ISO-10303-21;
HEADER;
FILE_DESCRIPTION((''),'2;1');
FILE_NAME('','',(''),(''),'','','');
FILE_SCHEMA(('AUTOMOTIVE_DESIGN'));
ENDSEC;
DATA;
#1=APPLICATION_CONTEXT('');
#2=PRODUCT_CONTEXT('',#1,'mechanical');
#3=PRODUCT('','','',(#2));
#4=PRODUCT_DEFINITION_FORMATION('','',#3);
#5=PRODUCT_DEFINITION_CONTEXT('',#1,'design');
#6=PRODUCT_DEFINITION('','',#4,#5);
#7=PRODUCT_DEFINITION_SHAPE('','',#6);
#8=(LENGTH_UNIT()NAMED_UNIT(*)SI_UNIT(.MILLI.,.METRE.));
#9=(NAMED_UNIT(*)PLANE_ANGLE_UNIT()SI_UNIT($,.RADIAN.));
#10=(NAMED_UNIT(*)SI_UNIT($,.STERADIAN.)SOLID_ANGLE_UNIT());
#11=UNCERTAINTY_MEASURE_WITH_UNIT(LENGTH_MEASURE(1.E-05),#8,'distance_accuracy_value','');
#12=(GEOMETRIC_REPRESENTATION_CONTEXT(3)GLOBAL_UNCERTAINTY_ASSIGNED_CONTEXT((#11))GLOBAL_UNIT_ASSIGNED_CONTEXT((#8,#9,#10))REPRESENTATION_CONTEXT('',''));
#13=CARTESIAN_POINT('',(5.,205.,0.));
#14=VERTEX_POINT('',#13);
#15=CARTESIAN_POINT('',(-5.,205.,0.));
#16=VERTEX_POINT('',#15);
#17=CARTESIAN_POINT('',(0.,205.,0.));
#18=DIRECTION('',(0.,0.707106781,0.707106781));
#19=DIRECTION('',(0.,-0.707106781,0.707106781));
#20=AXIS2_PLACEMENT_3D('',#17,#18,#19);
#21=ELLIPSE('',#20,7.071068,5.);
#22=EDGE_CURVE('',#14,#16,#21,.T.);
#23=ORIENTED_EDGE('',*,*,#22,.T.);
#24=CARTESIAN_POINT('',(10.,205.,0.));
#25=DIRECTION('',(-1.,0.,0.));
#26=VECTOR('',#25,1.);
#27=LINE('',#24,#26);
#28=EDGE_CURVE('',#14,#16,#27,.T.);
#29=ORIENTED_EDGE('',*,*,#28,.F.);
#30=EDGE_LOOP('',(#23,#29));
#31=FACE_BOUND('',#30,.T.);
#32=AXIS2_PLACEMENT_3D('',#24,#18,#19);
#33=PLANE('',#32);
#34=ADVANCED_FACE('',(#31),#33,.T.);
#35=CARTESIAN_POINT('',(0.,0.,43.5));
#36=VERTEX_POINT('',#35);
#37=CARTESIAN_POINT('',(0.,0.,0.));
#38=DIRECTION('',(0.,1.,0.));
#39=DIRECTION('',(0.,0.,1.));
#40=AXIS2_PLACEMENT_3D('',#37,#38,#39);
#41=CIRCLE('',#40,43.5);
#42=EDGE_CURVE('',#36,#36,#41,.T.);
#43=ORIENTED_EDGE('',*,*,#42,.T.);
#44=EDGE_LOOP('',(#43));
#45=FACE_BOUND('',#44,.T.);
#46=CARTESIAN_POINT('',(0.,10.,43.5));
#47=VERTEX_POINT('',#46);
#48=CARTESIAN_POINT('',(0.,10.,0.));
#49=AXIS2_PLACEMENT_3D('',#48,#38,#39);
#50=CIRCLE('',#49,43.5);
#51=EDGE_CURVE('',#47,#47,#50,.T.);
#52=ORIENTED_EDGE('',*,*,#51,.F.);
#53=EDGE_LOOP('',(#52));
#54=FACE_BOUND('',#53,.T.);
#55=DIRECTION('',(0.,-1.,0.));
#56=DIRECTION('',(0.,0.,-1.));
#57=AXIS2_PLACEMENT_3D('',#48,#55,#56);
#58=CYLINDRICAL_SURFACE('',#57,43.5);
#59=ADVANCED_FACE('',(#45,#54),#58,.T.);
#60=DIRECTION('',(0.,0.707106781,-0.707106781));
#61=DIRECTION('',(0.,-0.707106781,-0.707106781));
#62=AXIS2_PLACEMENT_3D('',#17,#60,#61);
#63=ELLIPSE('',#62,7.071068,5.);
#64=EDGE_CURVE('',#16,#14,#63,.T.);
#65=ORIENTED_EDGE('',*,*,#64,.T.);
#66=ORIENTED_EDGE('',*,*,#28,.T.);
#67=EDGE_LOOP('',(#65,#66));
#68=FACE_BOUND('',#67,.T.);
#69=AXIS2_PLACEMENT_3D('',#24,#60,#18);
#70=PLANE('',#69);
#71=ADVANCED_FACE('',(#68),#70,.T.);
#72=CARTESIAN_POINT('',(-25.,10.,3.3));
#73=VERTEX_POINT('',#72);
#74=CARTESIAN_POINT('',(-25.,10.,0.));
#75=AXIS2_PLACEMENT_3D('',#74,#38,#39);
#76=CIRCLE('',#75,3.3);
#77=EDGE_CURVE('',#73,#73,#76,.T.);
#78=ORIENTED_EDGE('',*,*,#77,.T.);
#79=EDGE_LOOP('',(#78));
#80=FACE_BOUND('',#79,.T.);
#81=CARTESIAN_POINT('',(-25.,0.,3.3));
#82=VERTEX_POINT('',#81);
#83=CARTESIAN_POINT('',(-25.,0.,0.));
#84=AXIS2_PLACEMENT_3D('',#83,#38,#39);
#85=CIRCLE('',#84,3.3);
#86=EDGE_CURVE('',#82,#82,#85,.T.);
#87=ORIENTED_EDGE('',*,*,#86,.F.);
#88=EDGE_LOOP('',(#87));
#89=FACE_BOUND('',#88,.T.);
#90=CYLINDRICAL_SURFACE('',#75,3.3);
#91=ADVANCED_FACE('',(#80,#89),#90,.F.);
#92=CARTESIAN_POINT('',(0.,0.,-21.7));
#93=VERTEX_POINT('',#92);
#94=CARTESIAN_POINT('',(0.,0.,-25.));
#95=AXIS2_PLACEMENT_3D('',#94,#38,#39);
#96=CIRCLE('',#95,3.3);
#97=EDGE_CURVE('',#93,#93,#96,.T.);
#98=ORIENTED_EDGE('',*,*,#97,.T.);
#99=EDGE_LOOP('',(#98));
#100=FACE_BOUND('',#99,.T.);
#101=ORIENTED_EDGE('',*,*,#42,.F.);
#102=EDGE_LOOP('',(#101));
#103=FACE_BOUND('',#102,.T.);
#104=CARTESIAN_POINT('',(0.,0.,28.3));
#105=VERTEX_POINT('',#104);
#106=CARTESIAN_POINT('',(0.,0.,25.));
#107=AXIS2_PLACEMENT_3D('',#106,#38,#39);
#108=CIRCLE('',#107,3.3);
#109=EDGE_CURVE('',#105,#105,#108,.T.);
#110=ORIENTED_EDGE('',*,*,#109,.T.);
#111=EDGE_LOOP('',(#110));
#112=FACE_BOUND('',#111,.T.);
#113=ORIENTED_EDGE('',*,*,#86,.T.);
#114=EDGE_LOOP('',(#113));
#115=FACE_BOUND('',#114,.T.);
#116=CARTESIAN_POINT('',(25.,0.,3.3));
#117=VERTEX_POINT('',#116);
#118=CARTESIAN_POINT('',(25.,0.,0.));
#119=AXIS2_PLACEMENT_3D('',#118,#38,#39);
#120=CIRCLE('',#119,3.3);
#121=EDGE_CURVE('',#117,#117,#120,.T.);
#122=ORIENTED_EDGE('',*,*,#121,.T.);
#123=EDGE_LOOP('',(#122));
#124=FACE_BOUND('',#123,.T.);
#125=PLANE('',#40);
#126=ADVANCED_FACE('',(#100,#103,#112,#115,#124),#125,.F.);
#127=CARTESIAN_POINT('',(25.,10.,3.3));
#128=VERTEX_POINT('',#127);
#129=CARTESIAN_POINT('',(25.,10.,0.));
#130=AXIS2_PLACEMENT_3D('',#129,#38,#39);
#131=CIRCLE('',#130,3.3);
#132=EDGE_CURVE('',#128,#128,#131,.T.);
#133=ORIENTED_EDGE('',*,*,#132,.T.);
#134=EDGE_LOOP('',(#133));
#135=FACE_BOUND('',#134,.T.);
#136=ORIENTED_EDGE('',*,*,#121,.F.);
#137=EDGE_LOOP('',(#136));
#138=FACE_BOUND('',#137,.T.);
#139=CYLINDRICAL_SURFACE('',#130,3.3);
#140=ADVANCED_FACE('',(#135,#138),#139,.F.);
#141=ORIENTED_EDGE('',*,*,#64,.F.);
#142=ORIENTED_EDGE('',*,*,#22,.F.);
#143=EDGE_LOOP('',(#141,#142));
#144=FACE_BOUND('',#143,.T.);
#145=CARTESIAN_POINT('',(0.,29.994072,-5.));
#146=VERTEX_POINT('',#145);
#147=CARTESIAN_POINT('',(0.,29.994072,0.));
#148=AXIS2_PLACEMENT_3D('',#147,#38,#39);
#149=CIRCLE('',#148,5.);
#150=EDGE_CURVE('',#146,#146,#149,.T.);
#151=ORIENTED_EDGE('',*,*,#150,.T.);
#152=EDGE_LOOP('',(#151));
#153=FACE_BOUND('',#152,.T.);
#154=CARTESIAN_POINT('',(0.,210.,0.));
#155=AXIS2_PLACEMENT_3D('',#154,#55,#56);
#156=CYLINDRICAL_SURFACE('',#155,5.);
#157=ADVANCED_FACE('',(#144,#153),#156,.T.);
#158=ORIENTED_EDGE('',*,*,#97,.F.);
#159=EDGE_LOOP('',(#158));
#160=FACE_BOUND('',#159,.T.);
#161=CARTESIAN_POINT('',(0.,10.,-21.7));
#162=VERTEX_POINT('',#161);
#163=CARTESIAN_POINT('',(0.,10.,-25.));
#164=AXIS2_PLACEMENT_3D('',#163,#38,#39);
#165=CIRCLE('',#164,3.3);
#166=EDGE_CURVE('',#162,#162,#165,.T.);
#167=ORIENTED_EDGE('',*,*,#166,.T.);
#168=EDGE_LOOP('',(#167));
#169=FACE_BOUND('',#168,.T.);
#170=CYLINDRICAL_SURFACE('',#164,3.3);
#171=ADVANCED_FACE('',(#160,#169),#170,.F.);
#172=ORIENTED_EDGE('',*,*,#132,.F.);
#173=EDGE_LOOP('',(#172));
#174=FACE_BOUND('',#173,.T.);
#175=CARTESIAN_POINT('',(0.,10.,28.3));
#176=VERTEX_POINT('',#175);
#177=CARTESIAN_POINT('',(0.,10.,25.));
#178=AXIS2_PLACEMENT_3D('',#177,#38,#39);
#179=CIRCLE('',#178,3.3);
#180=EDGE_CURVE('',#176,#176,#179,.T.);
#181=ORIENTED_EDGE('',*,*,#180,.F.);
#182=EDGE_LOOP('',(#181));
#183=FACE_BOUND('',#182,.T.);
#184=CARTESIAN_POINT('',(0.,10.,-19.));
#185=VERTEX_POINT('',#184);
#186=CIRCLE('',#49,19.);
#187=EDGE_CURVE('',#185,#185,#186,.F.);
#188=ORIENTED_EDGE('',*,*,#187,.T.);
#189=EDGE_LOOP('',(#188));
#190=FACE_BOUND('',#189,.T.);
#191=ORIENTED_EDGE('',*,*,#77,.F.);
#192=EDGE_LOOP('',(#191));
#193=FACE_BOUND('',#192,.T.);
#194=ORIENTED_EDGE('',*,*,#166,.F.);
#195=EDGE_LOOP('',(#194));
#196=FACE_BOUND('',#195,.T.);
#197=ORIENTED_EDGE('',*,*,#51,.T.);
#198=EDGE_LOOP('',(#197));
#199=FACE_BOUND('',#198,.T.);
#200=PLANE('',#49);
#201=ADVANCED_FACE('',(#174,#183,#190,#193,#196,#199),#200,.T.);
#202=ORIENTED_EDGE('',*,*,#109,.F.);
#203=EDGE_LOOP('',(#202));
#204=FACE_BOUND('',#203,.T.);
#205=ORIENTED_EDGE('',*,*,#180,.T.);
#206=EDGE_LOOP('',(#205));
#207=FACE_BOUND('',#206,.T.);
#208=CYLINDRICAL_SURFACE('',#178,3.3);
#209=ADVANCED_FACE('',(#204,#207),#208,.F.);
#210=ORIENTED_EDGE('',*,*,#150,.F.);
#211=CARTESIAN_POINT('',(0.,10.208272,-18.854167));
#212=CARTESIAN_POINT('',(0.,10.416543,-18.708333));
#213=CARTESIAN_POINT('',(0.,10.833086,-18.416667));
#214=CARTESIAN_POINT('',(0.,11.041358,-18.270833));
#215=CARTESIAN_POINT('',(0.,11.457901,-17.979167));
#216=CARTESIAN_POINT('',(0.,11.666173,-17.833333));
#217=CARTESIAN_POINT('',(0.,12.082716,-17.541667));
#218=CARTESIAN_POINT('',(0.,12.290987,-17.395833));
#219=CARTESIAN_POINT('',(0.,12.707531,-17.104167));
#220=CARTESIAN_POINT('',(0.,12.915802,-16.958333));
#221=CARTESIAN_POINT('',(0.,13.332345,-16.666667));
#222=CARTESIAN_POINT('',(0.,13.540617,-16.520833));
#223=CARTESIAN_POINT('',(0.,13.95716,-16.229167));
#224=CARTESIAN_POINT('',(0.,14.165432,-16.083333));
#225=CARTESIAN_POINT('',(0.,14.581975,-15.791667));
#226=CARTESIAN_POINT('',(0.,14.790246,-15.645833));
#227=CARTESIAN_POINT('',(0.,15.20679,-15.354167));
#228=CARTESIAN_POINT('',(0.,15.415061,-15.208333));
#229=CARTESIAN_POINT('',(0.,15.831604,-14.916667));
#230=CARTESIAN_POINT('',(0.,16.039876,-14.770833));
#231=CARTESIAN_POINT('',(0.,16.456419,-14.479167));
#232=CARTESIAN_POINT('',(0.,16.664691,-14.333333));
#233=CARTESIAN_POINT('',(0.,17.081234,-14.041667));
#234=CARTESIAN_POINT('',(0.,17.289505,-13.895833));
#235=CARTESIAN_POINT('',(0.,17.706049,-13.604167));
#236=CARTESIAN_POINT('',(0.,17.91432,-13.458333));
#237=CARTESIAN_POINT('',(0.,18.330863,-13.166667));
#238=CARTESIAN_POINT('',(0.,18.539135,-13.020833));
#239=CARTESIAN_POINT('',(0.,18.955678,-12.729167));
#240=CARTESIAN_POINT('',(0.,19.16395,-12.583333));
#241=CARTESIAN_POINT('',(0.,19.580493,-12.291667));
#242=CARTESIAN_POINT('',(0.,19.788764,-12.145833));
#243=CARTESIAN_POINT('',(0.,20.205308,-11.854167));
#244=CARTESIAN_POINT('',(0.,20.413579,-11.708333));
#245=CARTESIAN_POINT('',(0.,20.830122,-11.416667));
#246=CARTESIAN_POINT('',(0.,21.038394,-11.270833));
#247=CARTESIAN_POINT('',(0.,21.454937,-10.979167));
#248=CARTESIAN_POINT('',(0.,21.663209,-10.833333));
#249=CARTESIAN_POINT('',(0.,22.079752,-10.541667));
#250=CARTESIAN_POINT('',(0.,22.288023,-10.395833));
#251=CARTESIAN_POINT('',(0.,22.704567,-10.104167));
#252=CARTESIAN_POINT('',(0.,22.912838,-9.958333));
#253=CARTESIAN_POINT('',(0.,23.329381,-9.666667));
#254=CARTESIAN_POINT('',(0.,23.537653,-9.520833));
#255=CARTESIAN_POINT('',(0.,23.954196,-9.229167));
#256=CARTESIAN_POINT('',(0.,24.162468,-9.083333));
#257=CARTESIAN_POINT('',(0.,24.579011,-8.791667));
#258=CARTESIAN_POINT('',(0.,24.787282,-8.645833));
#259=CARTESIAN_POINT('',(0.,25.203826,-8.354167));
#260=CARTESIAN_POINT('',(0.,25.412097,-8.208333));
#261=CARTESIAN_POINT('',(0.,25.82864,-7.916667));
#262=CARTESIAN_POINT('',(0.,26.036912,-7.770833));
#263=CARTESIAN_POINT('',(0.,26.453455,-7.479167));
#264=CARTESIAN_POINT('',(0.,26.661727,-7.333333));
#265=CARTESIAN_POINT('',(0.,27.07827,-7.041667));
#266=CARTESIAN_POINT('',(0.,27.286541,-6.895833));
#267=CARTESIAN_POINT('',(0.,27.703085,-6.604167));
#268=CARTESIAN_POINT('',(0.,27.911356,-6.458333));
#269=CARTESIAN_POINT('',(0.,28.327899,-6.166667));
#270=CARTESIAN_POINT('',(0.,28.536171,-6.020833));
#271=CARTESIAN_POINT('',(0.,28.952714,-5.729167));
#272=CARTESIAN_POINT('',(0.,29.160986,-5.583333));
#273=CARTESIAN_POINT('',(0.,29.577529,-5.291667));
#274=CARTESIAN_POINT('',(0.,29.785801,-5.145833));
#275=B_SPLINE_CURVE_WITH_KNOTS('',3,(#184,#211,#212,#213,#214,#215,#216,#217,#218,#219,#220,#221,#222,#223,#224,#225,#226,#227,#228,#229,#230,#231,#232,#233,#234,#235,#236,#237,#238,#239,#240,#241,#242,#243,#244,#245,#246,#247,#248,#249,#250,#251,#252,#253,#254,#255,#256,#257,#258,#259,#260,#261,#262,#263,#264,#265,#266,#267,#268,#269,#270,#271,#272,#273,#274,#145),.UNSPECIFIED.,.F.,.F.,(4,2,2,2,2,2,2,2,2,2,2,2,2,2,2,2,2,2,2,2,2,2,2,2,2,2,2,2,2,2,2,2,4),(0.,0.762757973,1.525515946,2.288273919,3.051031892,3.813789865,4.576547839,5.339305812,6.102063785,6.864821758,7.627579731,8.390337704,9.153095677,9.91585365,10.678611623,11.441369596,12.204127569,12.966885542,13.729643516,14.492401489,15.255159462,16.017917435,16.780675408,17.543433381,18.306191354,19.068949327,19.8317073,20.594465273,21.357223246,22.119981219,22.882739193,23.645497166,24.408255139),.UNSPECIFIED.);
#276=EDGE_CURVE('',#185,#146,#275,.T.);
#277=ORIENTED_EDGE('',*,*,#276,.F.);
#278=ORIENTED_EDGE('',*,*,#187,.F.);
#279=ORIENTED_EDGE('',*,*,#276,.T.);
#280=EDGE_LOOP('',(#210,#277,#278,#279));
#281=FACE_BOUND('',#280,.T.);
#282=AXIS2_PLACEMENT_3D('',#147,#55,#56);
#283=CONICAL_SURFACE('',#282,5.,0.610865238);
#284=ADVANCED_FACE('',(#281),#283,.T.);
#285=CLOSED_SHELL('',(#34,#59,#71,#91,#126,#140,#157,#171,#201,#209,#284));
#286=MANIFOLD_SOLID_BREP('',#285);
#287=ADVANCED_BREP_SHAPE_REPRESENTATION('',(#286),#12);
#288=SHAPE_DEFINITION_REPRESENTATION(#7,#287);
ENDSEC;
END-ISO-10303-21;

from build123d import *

# Parameters (mm, degrees)
SKETCH1_R                = 43.5
BOSS_EXTRUDE4_DEPTH      = 10
HOLE_WIZARD_M6_2_D       = 6.6
CIRPATTERN1_COUNT        = 4
SKETCH20_R               = 5
BOSS_EXTRUDE6_DEPTH      = 200
CUT_EXTRUDE_1_DEPTH      = 10
CUT_EXTRUDE_1_DEPTH_BACK = 10
CHAMFER_1_SIZE           = 14
CHAMFER_1_SIZE2          = 19.994072094


with BuildPart() as part:
    # Sketch1 → Boss-Extrude4 (new body)
    with BuildSketch(Plane(origin=(0, 0, 0), x_dir=(1, 0, 0), z_dir=(0, 1, 0))):
        Circle(SKETCH1_R)
    extrude(amount=BOSS_EXTRUDE4_DEPTH)

    # M6 여유 구멍2 (through all)
    with Locations(Plane(origin=(0, 10, 0), x_dir=(1, 0, 0), z_dir=(0, 1, 0))):
        with Locations((0, -25)):
            hole_wizard_m6_2 = Hole(HOLE_WIZARD_M6_2_D / 2)

    # CirPattern1: M6 여유 구멍2 ×4 about axis
    cirpattern1_axis = Axis((0, 10, 0), (0, -1, 0))
    for i in range(1, CIRPATTERN1_COUNT):
        add(hole_wizard_m6_2.rotate(cirpattern1_axis, i * 360 / CIRPATTERN1_COUNT), mode=Mode.SUBTRACT)

    # Sketch20 → Boss-Extrude6 (add)
    with BuildSketch(Plane(origin=(0, 10, 0), x_dir=(1, 0, 0), z_dir=(0, 1, 0))):
        Circle(SKETCH20_R)
    extrude(amount=BOSS_EXTRUDE6_DEPTH)

    # 스케치12 → 컷-돌출1 (cut, two sides: drawn at the far end of the back side and taken through both)
    with BuildSketch(Plane(origin=(0, 0, 0), x_dir=(0, 0, -1), z_dir=(1, 0, 0)).offset(-CUT_EXTRUDE_1_DEPTH_BACK)):
        Polygon((-5, 210), (5, 210), (0, 205), align=None)
    extrude(amount=CUT_EXTRUDE_1_DEPTH + CUT_EXTRUDE_1_DEPTH_BACK, mode=Mode.SUBTRACT)

    # 모따기1
    chamfer_1_edges = [part.edges().sort_by_distance(p)[0] for p in [
        (-5, 10, 0),
    ]]
    chamfer_1_side = [part.faces().sort_by_distance(p)[0] for p in [
        (-42.269634201, 10, 0),
    ]]
    chamfer(chamfer_1_edges, length=CHAMFER_1_SIZE, length2=CHAMFER_1_SIZE2, reference=chamfer_1_side[0])


solid = part.part
